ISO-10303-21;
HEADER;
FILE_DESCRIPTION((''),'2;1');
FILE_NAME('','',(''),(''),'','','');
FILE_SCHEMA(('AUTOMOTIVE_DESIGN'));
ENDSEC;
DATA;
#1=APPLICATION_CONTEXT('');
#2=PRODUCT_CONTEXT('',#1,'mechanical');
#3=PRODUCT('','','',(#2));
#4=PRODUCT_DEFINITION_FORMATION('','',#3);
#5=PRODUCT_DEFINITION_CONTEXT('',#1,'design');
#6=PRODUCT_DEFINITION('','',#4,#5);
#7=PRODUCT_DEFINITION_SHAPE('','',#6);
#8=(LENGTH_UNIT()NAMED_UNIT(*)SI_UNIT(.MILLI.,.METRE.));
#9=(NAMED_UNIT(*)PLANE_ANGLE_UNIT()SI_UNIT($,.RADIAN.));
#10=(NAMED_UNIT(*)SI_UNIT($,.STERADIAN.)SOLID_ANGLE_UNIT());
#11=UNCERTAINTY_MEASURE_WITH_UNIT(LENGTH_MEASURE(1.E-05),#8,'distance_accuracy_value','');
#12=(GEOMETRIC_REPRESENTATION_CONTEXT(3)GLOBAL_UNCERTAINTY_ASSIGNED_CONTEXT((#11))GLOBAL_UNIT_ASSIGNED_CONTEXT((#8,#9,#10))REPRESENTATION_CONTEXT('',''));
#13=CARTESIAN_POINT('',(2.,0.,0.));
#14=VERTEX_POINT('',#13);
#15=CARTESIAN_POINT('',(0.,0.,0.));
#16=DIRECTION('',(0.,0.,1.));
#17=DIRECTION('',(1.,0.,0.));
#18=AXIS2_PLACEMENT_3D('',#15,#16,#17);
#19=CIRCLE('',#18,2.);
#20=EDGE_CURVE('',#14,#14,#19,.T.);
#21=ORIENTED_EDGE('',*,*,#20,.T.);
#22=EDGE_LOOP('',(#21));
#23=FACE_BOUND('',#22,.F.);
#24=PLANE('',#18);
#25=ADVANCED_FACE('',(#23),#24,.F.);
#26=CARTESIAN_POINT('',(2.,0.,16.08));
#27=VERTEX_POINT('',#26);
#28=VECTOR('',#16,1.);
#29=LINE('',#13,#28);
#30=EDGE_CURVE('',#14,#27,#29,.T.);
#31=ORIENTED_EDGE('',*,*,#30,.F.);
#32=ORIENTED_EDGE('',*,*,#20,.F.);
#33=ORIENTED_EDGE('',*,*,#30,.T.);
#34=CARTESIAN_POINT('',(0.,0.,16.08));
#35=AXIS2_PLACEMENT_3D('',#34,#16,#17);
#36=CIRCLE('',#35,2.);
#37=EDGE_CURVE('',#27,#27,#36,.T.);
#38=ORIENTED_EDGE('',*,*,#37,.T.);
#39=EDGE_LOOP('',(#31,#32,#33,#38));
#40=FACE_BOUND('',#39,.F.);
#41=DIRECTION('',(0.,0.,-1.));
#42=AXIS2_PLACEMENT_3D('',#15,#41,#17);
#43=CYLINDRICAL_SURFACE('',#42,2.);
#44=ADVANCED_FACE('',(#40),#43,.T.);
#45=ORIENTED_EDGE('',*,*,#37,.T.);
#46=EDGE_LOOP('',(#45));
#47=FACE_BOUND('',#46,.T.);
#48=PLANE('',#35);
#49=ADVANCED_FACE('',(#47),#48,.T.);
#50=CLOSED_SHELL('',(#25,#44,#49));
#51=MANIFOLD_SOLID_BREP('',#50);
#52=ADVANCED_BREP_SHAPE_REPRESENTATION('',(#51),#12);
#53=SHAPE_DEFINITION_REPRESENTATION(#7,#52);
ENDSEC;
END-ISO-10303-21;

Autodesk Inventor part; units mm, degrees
ref_plane "YZ Plane" through (0, 0, 0) normal (1, 0, 0) x (0, 1, 0)
ref_plane "XZ Plane" through (0, 0, 0) normal (0, 1, 0) x (-1, 0, 0)
ref_plane "XY Plane" through (0, 0, 0) normal (0, 0, 1) x (1, 0, 0)
sketch "Sketch1" plane through (0, 0, 0) normal (0, 0, 1) x (1, 0, 0)
  circle A0 centre (0, 0) radius 2
  dimension "d3" = 4
extrude "Extrusion1" add sketch "Sketch1" along normal blind 16.08
properties part number "Union"
